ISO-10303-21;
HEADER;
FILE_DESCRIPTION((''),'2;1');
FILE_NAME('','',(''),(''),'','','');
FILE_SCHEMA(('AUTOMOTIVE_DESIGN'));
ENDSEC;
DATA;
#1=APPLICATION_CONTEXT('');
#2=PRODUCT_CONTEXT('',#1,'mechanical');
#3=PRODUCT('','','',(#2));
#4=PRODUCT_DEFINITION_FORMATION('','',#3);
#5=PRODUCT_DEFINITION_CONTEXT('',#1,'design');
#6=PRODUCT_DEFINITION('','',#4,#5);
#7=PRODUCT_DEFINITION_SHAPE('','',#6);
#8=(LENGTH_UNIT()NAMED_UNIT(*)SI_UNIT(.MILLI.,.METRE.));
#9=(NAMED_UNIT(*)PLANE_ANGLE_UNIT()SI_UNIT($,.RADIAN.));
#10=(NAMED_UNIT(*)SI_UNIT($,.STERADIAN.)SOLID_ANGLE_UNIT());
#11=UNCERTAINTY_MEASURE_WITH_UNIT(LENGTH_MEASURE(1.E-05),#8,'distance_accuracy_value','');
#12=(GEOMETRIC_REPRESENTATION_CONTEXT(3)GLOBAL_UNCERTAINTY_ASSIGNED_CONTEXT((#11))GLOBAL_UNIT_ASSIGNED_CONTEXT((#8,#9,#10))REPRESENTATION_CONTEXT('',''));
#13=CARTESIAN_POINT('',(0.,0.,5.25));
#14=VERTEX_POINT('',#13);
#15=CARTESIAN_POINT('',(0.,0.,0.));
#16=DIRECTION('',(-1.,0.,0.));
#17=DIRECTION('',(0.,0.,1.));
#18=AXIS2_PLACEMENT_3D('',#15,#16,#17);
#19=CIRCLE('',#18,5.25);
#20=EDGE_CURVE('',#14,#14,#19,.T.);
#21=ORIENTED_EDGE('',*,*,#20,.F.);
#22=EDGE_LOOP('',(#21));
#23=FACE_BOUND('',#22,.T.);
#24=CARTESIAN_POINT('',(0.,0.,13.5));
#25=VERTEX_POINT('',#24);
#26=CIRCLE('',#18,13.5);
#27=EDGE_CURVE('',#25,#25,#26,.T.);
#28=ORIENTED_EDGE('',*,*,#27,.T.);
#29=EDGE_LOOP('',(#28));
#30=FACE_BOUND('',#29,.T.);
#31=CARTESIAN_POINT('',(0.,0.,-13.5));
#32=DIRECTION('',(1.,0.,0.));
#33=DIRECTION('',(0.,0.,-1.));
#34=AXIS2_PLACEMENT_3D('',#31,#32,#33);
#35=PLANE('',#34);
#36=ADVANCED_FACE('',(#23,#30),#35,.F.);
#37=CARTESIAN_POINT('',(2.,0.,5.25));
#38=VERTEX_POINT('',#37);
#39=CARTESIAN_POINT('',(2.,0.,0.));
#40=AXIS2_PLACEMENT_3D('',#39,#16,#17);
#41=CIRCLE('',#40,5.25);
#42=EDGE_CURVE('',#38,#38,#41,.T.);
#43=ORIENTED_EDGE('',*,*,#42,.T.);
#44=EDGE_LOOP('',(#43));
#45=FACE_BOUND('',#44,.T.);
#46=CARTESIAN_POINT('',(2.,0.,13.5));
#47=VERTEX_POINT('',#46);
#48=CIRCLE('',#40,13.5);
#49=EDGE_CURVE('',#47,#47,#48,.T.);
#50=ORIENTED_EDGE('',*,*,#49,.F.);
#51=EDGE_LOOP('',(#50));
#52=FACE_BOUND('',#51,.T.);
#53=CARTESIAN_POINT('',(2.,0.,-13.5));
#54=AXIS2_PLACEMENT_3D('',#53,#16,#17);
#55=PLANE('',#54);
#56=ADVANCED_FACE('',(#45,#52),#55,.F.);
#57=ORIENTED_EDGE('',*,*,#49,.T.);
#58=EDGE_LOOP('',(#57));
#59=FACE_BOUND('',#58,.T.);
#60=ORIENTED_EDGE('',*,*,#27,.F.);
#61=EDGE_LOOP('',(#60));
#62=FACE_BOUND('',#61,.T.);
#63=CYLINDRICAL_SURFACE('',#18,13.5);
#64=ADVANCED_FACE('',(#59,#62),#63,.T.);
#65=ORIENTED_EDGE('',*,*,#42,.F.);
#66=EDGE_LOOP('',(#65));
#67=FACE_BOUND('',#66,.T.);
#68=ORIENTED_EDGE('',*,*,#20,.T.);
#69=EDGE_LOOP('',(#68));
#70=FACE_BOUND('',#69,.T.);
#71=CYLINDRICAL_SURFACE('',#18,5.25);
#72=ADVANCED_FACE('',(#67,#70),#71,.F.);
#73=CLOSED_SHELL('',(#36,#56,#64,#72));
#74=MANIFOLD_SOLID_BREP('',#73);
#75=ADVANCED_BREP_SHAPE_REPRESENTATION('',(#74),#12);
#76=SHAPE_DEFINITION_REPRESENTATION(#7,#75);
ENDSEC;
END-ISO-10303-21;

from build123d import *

# Parameters (mm, degrees)
ESQUISSE1_W = 2
ESQUISSE1_H = 8.25


with BuildPart() as part:
    # Esquisse1 → Base-Révolution (revolve)
    with BuildSketch(Plane(origin=(0, 0, 0), x_dir=(1, 0, 0), z_dir=(0, 1, 0))):
        with Locations((1, 9.375)):
            Rectangle(ESQUISSE1_W, ESQUISSE1_H)
    revolve(axis=Axis((0, 0, 0), (1, 0, 0)))


solid = part.part
